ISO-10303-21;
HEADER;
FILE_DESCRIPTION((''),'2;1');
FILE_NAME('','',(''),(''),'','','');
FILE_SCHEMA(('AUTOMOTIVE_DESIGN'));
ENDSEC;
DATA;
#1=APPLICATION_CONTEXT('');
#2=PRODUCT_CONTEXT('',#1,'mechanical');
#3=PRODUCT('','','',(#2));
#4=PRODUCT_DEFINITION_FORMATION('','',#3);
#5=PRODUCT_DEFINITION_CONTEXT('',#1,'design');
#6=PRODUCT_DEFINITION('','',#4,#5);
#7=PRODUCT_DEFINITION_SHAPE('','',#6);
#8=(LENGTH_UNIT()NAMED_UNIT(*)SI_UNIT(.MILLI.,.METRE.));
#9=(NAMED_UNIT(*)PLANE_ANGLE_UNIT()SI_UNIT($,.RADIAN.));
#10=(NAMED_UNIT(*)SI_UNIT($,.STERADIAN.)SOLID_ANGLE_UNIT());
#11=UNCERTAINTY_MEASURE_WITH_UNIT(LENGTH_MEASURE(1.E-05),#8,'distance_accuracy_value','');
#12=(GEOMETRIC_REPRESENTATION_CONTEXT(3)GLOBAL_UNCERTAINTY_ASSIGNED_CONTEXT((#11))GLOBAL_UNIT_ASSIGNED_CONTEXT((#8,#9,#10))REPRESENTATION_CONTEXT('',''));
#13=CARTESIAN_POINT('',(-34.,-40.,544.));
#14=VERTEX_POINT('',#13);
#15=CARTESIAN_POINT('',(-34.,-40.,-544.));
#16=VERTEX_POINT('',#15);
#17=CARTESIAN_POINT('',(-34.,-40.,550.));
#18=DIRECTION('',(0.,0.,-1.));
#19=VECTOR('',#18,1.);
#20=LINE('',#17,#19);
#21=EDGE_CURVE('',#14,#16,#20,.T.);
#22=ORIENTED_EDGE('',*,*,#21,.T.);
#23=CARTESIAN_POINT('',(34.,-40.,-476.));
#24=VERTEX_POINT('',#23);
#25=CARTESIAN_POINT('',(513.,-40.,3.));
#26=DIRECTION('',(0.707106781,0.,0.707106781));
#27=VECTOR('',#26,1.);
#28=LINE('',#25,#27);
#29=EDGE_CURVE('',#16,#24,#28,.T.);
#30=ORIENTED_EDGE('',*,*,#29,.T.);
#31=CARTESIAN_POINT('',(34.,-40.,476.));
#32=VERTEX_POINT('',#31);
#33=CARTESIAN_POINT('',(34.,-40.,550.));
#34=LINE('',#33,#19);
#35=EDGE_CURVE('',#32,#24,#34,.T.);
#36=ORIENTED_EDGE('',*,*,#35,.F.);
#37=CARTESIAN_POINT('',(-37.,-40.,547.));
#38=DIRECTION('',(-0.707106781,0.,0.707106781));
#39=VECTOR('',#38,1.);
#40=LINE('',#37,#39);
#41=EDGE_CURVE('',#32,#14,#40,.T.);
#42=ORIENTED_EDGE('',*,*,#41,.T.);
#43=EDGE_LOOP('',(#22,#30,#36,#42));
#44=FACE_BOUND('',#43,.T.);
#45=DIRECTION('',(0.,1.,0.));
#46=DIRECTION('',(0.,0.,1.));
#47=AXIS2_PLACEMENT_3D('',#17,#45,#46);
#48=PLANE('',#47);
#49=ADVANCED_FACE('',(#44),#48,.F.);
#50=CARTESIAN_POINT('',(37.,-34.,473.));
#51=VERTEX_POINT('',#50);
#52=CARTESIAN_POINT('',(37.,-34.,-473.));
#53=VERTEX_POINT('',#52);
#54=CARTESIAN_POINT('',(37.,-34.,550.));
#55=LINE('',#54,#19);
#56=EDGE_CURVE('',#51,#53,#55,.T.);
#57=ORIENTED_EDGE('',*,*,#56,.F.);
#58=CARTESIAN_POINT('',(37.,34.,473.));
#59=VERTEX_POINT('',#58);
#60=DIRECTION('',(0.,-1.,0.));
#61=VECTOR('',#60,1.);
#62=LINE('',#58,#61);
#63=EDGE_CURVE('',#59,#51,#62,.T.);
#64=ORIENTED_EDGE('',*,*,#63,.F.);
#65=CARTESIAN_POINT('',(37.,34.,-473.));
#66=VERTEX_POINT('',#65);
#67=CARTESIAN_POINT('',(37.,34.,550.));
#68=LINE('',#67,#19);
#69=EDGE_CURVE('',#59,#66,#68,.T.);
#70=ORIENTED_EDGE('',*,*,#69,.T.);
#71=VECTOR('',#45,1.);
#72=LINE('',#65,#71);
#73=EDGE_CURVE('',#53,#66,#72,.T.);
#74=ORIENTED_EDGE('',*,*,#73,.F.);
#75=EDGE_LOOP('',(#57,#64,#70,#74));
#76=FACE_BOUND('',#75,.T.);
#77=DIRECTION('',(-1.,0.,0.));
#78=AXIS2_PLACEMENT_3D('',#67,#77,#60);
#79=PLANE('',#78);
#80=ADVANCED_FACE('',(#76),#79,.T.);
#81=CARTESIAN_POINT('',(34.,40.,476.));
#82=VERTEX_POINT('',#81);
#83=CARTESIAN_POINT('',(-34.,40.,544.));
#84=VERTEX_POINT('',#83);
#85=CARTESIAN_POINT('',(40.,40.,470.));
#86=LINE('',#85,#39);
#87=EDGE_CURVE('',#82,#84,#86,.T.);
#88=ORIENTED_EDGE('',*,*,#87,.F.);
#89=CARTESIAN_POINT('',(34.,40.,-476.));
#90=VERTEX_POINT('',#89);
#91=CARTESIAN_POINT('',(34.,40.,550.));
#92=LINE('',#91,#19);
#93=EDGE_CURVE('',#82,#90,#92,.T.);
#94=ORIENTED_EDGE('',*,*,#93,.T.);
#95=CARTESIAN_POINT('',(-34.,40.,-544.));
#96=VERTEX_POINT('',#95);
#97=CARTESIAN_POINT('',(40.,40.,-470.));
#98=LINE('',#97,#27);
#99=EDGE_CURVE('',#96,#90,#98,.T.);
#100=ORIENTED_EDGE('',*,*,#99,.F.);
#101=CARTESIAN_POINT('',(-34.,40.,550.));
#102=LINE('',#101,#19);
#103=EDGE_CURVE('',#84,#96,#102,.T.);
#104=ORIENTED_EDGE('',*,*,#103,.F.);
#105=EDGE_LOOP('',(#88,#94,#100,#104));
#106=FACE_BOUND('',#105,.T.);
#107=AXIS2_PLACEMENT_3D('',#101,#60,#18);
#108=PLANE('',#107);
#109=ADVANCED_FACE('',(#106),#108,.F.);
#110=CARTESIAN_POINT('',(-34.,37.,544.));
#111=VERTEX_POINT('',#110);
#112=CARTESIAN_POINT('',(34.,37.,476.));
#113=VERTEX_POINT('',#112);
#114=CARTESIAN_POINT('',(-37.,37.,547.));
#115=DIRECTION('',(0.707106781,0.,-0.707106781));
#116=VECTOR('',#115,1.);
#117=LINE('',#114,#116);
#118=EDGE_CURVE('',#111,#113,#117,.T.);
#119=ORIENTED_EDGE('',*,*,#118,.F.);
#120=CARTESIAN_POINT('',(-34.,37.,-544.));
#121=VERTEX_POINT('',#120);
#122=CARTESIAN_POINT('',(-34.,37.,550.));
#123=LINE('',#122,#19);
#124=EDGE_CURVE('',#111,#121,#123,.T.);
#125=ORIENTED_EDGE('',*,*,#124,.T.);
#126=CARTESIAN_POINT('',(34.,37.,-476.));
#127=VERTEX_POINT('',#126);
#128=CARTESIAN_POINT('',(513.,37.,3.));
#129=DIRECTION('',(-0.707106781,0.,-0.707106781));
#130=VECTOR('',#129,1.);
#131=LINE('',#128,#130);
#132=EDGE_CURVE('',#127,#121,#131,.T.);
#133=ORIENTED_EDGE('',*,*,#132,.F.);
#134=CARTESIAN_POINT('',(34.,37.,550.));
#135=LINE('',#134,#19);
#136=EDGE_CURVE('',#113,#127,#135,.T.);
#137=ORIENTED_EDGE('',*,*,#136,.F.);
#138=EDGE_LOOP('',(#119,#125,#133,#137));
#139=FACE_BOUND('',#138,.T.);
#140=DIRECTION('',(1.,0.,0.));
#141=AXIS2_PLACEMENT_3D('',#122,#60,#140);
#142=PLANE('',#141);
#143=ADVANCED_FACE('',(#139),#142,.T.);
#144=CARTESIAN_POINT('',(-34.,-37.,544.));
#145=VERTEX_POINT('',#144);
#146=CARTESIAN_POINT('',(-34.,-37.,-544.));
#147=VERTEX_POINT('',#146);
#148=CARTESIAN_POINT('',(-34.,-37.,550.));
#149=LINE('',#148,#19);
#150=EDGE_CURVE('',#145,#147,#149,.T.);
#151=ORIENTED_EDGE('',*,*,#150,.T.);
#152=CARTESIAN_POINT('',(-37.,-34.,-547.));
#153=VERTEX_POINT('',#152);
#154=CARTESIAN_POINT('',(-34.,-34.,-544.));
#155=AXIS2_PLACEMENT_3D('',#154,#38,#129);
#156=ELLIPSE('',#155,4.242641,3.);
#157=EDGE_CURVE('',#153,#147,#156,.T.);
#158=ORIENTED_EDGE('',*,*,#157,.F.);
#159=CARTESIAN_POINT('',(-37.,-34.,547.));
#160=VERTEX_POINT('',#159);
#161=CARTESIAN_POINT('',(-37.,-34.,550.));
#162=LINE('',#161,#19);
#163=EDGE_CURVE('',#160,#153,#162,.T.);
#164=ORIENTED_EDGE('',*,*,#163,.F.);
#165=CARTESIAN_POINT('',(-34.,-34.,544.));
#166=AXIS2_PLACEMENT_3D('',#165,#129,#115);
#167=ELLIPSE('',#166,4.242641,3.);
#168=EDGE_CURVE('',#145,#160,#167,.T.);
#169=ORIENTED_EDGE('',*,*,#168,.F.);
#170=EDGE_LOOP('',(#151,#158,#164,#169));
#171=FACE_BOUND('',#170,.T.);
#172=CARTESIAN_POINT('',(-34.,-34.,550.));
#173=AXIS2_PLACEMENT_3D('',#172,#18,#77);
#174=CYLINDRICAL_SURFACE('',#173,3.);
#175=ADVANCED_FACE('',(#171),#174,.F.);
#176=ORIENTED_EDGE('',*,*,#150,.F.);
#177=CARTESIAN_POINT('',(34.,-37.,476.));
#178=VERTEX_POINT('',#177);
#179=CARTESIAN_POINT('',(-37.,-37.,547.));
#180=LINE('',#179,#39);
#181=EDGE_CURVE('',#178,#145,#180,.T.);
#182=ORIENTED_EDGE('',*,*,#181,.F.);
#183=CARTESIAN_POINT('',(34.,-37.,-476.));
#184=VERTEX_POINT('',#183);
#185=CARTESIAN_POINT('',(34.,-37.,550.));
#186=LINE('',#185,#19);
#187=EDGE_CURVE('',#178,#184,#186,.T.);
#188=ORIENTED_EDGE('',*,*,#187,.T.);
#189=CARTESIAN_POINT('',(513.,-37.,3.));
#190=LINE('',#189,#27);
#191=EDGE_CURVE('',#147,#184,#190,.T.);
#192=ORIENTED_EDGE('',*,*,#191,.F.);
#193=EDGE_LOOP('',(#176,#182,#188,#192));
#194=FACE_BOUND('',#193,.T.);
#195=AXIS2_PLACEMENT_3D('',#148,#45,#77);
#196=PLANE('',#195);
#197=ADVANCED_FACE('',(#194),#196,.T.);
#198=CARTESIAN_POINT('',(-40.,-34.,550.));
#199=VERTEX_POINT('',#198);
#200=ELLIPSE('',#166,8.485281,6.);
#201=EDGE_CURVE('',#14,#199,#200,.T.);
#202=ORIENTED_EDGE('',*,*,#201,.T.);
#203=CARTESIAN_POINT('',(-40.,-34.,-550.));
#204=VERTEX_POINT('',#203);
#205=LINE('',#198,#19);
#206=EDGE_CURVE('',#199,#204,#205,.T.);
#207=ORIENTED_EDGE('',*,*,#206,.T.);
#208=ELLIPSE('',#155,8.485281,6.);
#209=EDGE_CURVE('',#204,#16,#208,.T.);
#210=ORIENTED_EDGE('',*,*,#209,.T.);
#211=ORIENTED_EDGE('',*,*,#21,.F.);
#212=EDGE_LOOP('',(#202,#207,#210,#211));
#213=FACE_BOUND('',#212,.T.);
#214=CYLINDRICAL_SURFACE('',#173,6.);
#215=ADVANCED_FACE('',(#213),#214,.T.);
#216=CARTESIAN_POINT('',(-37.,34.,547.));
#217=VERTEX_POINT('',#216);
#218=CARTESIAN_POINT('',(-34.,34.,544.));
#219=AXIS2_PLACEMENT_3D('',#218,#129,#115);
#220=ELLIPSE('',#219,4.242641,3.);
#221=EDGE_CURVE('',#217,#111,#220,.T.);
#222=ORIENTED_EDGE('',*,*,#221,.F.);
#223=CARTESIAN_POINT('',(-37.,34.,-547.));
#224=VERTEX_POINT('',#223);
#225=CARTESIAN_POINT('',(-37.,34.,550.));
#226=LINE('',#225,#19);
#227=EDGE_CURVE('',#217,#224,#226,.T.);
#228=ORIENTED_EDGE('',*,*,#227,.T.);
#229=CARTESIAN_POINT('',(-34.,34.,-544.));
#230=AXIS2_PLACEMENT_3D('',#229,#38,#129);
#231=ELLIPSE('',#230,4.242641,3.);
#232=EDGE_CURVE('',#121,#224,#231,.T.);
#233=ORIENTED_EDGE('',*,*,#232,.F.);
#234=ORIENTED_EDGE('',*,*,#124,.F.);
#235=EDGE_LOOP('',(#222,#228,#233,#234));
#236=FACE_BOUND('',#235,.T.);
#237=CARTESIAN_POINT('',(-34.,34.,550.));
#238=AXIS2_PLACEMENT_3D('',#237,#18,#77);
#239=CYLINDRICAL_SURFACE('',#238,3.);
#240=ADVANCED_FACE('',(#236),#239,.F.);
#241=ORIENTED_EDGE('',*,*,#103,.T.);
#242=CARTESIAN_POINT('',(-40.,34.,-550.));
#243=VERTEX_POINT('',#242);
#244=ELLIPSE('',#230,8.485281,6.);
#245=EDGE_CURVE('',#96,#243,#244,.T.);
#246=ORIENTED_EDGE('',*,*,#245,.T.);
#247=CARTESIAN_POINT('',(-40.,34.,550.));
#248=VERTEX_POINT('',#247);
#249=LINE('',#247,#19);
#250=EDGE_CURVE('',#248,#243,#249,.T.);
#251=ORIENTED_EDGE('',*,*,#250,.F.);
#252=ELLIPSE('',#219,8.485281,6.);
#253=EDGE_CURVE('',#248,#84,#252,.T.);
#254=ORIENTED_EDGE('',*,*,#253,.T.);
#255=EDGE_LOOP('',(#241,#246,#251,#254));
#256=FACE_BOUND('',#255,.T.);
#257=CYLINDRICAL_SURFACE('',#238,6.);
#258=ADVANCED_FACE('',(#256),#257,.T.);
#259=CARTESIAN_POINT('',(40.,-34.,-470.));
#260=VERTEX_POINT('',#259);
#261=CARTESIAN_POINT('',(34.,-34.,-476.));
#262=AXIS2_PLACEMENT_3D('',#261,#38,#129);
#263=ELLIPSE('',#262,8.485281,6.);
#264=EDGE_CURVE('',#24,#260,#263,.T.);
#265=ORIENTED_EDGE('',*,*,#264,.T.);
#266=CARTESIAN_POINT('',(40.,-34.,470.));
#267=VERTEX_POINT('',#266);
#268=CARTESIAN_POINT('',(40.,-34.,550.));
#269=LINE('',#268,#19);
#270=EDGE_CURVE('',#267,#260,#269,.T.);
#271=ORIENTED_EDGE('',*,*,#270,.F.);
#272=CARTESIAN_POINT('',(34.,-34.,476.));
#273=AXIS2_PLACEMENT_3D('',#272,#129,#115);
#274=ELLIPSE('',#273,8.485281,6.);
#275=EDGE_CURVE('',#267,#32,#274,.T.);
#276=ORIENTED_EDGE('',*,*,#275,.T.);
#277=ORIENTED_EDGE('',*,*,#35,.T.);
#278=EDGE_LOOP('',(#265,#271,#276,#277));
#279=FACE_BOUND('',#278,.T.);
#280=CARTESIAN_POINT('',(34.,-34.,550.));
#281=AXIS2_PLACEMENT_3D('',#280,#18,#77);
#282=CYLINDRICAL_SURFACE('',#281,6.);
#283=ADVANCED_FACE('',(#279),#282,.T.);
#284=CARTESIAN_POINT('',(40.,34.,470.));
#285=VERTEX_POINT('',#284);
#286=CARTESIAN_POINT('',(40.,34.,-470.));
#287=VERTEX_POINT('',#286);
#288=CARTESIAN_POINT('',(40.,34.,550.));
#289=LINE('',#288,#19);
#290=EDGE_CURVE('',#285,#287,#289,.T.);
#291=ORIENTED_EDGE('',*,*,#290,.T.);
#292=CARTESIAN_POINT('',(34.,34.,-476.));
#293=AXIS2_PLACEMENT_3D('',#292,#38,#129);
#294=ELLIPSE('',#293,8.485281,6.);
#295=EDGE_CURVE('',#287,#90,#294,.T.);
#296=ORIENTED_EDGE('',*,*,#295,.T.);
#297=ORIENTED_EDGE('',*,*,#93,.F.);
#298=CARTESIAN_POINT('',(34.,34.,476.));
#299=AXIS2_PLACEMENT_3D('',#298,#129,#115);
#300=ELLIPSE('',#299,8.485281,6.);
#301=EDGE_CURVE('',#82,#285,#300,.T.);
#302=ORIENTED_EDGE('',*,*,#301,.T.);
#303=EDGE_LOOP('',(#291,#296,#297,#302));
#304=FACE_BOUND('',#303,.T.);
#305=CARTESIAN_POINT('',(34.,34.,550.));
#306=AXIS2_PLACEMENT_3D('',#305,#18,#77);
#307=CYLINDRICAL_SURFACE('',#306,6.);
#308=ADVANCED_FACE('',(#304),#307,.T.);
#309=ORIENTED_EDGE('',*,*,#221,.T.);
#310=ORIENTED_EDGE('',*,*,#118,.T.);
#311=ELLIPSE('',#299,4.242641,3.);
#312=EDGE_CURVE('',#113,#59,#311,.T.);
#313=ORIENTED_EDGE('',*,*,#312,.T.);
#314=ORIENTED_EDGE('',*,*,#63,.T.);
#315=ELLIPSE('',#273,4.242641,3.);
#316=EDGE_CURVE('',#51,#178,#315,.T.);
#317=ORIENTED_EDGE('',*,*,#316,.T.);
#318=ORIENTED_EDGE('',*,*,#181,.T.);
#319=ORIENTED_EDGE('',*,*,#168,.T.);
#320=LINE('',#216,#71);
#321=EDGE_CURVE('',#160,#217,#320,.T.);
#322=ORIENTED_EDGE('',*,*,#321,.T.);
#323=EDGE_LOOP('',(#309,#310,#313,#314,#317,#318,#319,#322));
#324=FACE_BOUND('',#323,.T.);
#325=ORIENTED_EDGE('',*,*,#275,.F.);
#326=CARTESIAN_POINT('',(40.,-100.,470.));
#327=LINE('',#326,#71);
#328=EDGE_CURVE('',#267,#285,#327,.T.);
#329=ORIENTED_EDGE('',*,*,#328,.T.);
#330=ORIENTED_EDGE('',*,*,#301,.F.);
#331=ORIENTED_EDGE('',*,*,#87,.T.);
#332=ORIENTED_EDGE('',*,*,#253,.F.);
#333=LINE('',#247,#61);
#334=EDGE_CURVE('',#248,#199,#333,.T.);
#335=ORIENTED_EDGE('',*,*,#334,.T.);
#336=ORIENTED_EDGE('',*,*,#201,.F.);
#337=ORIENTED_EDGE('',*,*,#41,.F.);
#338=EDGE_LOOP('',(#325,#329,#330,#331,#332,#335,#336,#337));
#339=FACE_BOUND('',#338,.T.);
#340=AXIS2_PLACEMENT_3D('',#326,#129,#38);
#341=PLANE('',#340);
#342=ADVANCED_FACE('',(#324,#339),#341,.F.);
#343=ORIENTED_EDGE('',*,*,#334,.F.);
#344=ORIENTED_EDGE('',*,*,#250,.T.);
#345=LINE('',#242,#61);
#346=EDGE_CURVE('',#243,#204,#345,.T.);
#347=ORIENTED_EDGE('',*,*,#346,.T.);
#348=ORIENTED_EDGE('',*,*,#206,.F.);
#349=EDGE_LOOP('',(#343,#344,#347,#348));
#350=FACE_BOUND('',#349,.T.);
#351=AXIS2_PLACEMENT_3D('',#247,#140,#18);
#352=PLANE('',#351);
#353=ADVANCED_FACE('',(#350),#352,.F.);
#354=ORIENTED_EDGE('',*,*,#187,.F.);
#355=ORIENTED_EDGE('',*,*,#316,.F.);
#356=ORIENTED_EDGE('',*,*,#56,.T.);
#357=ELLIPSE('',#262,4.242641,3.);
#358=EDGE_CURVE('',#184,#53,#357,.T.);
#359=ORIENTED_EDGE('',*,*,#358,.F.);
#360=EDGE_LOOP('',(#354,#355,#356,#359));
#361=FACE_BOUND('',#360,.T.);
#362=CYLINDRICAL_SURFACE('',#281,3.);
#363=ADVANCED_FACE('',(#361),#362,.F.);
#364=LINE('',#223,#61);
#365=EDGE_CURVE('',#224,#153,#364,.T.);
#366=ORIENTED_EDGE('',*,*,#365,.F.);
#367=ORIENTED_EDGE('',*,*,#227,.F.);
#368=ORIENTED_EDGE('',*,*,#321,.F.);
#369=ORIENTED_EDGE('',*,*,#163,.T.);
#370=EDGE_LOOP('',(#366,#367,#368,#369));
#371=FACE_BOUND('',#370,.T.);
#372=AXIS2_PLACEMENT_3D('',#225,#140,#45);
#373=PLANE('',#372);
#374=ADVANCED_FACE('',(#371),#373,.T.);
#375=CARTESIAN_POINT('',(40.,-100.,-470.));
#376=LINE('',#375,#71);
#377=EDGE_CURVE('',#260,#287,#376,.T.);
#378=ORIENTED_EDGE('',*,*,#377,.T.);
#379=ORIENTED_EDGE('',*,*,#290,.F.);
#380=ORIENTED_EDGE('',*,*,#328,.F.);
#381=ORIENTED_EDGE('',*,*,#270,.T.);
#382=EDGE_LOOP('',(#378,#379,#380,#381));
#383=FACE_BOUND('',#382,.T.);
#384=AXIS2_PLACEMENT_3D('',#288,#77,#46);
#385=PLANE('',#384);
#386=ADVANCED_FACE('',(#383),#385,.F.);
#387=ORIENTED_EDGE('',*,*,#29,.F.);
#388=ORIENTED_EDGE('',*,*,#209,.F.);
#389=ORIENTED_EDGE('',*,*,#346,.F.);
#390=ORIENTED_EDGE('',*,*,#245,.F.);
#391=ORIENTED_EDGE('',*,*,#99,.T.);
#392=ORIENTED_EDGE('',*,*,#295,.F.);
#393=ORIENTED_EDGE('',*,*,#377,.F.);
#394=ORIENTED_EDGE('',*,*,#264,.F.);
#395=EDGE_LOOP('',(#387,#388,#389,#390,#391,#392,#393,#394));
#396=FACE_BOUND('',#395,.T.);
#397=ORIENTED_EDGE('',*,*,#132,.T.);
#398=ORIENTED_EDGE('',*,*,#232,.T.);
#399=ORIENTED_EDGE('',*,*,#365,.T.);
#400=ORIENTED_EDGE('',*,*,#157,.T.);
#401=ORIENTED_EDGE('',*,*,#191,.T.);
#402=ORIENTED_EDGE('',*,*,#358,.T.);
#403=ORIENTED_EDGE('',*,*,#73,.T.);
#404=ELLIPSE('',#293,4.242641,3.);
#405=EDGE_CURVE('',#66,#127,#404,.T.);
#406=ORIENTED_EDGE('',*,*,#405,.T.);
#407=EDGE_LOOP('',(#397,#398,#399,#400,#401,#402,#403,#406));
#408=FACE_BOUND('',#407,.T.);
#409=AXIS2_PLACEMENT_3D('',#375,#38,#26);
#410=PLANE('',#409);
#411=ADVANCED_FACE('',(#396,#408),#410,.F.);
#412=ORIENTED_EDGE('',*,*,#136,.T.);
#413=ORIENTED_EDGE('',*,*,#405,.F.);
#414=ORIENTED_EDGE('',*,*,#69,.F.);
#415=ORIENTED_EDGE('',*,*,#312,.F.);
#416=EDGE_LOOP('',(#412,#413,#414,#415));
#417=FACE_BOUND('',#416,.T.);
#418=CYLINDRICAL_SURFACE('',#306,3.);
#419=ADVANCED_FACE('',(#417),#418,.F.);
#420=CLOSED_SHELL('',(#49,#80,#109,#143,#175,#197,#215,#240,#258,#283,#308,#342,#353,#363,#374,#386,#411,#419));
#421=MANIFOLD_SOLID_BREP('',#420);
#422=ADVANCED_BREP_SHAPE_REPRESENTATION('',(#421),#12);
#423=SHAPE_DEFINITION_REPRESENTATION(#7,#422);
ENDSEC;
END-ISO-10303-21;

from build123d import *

# Parameters (mm, degrees)
AUFSATZ_LINEAR_AUSTRAGEN1_DEPTH = 550
SCHNITT_LINEAR_AUSTRAGEN1_DEPTH = 140


with BuildPart() as part:
    # Skizze1 → Aufsatz-Linear austragen1 (new, symmetric)
    with BuildSketch(Plane.XY):
        with BuildLine():
            Line((-34, 40), (34, 40))
            ThreePointArc((34, 40), (38.242640687, 38.242640687), (40, 34))
            Line((40, 34), (40, -34))
            ThreePointArc((40, -34), (38.242640687, -38.242640687), (34, -40))
            Line((34, -40), (-34, -40))
            ThreePointArc((-34, -40), (-38.242640687, -38.242640687), (-40, -34))
            Line((-40, -34), (-40, 34))
            ThreePointArc((-40, 34), (-38.242640687, 38.242640687), (-34, 40))
        make_face()
        with BuildLine():
            Line((-37, 34), (-37, -34))
            ThreePointArc((-37, -34), (-36.121320344, -36.121320344), (-34, -37))
            Line((-34, -37), (34, -37))
            ThreePointArc((34, -37), (36.121320344, -36.121320344), (37, -34))
            Line((37, -34), (37, 34))
            ThreePointArc((37, 34), (36.121320344, 36.121320344), (34, 37))
            Line((34, 37), (-34, 37))
            ThreePointArc((-34, 37), (-36.121320344, 36.121320344), (-37, 34))
        make_face(mode=Mode.SUBTRACT)
    extrude(amount=AUFSATZ_LINEAR_AUSTRAGEN1_DEPTH, both=True)

    # Skizze2 → Schnitt-Linear austragen1 (cut)
    with BuildSketch(Plane(origin=(0, 40, 0), x_dir=(1, 0, 0), z_dir=(0, 1, 0))):
        Polygon((-40, 550), (40, 550), (40, 470), align=None)
        Polygon((40, -470), (-40, -550), (40, -550), align=None)
    extrude(amount=-SCHNITT_LINEAR_AUSTRAGEN1_DEPTH, mode=Mode.SUBTRACT)


solid = part.part
